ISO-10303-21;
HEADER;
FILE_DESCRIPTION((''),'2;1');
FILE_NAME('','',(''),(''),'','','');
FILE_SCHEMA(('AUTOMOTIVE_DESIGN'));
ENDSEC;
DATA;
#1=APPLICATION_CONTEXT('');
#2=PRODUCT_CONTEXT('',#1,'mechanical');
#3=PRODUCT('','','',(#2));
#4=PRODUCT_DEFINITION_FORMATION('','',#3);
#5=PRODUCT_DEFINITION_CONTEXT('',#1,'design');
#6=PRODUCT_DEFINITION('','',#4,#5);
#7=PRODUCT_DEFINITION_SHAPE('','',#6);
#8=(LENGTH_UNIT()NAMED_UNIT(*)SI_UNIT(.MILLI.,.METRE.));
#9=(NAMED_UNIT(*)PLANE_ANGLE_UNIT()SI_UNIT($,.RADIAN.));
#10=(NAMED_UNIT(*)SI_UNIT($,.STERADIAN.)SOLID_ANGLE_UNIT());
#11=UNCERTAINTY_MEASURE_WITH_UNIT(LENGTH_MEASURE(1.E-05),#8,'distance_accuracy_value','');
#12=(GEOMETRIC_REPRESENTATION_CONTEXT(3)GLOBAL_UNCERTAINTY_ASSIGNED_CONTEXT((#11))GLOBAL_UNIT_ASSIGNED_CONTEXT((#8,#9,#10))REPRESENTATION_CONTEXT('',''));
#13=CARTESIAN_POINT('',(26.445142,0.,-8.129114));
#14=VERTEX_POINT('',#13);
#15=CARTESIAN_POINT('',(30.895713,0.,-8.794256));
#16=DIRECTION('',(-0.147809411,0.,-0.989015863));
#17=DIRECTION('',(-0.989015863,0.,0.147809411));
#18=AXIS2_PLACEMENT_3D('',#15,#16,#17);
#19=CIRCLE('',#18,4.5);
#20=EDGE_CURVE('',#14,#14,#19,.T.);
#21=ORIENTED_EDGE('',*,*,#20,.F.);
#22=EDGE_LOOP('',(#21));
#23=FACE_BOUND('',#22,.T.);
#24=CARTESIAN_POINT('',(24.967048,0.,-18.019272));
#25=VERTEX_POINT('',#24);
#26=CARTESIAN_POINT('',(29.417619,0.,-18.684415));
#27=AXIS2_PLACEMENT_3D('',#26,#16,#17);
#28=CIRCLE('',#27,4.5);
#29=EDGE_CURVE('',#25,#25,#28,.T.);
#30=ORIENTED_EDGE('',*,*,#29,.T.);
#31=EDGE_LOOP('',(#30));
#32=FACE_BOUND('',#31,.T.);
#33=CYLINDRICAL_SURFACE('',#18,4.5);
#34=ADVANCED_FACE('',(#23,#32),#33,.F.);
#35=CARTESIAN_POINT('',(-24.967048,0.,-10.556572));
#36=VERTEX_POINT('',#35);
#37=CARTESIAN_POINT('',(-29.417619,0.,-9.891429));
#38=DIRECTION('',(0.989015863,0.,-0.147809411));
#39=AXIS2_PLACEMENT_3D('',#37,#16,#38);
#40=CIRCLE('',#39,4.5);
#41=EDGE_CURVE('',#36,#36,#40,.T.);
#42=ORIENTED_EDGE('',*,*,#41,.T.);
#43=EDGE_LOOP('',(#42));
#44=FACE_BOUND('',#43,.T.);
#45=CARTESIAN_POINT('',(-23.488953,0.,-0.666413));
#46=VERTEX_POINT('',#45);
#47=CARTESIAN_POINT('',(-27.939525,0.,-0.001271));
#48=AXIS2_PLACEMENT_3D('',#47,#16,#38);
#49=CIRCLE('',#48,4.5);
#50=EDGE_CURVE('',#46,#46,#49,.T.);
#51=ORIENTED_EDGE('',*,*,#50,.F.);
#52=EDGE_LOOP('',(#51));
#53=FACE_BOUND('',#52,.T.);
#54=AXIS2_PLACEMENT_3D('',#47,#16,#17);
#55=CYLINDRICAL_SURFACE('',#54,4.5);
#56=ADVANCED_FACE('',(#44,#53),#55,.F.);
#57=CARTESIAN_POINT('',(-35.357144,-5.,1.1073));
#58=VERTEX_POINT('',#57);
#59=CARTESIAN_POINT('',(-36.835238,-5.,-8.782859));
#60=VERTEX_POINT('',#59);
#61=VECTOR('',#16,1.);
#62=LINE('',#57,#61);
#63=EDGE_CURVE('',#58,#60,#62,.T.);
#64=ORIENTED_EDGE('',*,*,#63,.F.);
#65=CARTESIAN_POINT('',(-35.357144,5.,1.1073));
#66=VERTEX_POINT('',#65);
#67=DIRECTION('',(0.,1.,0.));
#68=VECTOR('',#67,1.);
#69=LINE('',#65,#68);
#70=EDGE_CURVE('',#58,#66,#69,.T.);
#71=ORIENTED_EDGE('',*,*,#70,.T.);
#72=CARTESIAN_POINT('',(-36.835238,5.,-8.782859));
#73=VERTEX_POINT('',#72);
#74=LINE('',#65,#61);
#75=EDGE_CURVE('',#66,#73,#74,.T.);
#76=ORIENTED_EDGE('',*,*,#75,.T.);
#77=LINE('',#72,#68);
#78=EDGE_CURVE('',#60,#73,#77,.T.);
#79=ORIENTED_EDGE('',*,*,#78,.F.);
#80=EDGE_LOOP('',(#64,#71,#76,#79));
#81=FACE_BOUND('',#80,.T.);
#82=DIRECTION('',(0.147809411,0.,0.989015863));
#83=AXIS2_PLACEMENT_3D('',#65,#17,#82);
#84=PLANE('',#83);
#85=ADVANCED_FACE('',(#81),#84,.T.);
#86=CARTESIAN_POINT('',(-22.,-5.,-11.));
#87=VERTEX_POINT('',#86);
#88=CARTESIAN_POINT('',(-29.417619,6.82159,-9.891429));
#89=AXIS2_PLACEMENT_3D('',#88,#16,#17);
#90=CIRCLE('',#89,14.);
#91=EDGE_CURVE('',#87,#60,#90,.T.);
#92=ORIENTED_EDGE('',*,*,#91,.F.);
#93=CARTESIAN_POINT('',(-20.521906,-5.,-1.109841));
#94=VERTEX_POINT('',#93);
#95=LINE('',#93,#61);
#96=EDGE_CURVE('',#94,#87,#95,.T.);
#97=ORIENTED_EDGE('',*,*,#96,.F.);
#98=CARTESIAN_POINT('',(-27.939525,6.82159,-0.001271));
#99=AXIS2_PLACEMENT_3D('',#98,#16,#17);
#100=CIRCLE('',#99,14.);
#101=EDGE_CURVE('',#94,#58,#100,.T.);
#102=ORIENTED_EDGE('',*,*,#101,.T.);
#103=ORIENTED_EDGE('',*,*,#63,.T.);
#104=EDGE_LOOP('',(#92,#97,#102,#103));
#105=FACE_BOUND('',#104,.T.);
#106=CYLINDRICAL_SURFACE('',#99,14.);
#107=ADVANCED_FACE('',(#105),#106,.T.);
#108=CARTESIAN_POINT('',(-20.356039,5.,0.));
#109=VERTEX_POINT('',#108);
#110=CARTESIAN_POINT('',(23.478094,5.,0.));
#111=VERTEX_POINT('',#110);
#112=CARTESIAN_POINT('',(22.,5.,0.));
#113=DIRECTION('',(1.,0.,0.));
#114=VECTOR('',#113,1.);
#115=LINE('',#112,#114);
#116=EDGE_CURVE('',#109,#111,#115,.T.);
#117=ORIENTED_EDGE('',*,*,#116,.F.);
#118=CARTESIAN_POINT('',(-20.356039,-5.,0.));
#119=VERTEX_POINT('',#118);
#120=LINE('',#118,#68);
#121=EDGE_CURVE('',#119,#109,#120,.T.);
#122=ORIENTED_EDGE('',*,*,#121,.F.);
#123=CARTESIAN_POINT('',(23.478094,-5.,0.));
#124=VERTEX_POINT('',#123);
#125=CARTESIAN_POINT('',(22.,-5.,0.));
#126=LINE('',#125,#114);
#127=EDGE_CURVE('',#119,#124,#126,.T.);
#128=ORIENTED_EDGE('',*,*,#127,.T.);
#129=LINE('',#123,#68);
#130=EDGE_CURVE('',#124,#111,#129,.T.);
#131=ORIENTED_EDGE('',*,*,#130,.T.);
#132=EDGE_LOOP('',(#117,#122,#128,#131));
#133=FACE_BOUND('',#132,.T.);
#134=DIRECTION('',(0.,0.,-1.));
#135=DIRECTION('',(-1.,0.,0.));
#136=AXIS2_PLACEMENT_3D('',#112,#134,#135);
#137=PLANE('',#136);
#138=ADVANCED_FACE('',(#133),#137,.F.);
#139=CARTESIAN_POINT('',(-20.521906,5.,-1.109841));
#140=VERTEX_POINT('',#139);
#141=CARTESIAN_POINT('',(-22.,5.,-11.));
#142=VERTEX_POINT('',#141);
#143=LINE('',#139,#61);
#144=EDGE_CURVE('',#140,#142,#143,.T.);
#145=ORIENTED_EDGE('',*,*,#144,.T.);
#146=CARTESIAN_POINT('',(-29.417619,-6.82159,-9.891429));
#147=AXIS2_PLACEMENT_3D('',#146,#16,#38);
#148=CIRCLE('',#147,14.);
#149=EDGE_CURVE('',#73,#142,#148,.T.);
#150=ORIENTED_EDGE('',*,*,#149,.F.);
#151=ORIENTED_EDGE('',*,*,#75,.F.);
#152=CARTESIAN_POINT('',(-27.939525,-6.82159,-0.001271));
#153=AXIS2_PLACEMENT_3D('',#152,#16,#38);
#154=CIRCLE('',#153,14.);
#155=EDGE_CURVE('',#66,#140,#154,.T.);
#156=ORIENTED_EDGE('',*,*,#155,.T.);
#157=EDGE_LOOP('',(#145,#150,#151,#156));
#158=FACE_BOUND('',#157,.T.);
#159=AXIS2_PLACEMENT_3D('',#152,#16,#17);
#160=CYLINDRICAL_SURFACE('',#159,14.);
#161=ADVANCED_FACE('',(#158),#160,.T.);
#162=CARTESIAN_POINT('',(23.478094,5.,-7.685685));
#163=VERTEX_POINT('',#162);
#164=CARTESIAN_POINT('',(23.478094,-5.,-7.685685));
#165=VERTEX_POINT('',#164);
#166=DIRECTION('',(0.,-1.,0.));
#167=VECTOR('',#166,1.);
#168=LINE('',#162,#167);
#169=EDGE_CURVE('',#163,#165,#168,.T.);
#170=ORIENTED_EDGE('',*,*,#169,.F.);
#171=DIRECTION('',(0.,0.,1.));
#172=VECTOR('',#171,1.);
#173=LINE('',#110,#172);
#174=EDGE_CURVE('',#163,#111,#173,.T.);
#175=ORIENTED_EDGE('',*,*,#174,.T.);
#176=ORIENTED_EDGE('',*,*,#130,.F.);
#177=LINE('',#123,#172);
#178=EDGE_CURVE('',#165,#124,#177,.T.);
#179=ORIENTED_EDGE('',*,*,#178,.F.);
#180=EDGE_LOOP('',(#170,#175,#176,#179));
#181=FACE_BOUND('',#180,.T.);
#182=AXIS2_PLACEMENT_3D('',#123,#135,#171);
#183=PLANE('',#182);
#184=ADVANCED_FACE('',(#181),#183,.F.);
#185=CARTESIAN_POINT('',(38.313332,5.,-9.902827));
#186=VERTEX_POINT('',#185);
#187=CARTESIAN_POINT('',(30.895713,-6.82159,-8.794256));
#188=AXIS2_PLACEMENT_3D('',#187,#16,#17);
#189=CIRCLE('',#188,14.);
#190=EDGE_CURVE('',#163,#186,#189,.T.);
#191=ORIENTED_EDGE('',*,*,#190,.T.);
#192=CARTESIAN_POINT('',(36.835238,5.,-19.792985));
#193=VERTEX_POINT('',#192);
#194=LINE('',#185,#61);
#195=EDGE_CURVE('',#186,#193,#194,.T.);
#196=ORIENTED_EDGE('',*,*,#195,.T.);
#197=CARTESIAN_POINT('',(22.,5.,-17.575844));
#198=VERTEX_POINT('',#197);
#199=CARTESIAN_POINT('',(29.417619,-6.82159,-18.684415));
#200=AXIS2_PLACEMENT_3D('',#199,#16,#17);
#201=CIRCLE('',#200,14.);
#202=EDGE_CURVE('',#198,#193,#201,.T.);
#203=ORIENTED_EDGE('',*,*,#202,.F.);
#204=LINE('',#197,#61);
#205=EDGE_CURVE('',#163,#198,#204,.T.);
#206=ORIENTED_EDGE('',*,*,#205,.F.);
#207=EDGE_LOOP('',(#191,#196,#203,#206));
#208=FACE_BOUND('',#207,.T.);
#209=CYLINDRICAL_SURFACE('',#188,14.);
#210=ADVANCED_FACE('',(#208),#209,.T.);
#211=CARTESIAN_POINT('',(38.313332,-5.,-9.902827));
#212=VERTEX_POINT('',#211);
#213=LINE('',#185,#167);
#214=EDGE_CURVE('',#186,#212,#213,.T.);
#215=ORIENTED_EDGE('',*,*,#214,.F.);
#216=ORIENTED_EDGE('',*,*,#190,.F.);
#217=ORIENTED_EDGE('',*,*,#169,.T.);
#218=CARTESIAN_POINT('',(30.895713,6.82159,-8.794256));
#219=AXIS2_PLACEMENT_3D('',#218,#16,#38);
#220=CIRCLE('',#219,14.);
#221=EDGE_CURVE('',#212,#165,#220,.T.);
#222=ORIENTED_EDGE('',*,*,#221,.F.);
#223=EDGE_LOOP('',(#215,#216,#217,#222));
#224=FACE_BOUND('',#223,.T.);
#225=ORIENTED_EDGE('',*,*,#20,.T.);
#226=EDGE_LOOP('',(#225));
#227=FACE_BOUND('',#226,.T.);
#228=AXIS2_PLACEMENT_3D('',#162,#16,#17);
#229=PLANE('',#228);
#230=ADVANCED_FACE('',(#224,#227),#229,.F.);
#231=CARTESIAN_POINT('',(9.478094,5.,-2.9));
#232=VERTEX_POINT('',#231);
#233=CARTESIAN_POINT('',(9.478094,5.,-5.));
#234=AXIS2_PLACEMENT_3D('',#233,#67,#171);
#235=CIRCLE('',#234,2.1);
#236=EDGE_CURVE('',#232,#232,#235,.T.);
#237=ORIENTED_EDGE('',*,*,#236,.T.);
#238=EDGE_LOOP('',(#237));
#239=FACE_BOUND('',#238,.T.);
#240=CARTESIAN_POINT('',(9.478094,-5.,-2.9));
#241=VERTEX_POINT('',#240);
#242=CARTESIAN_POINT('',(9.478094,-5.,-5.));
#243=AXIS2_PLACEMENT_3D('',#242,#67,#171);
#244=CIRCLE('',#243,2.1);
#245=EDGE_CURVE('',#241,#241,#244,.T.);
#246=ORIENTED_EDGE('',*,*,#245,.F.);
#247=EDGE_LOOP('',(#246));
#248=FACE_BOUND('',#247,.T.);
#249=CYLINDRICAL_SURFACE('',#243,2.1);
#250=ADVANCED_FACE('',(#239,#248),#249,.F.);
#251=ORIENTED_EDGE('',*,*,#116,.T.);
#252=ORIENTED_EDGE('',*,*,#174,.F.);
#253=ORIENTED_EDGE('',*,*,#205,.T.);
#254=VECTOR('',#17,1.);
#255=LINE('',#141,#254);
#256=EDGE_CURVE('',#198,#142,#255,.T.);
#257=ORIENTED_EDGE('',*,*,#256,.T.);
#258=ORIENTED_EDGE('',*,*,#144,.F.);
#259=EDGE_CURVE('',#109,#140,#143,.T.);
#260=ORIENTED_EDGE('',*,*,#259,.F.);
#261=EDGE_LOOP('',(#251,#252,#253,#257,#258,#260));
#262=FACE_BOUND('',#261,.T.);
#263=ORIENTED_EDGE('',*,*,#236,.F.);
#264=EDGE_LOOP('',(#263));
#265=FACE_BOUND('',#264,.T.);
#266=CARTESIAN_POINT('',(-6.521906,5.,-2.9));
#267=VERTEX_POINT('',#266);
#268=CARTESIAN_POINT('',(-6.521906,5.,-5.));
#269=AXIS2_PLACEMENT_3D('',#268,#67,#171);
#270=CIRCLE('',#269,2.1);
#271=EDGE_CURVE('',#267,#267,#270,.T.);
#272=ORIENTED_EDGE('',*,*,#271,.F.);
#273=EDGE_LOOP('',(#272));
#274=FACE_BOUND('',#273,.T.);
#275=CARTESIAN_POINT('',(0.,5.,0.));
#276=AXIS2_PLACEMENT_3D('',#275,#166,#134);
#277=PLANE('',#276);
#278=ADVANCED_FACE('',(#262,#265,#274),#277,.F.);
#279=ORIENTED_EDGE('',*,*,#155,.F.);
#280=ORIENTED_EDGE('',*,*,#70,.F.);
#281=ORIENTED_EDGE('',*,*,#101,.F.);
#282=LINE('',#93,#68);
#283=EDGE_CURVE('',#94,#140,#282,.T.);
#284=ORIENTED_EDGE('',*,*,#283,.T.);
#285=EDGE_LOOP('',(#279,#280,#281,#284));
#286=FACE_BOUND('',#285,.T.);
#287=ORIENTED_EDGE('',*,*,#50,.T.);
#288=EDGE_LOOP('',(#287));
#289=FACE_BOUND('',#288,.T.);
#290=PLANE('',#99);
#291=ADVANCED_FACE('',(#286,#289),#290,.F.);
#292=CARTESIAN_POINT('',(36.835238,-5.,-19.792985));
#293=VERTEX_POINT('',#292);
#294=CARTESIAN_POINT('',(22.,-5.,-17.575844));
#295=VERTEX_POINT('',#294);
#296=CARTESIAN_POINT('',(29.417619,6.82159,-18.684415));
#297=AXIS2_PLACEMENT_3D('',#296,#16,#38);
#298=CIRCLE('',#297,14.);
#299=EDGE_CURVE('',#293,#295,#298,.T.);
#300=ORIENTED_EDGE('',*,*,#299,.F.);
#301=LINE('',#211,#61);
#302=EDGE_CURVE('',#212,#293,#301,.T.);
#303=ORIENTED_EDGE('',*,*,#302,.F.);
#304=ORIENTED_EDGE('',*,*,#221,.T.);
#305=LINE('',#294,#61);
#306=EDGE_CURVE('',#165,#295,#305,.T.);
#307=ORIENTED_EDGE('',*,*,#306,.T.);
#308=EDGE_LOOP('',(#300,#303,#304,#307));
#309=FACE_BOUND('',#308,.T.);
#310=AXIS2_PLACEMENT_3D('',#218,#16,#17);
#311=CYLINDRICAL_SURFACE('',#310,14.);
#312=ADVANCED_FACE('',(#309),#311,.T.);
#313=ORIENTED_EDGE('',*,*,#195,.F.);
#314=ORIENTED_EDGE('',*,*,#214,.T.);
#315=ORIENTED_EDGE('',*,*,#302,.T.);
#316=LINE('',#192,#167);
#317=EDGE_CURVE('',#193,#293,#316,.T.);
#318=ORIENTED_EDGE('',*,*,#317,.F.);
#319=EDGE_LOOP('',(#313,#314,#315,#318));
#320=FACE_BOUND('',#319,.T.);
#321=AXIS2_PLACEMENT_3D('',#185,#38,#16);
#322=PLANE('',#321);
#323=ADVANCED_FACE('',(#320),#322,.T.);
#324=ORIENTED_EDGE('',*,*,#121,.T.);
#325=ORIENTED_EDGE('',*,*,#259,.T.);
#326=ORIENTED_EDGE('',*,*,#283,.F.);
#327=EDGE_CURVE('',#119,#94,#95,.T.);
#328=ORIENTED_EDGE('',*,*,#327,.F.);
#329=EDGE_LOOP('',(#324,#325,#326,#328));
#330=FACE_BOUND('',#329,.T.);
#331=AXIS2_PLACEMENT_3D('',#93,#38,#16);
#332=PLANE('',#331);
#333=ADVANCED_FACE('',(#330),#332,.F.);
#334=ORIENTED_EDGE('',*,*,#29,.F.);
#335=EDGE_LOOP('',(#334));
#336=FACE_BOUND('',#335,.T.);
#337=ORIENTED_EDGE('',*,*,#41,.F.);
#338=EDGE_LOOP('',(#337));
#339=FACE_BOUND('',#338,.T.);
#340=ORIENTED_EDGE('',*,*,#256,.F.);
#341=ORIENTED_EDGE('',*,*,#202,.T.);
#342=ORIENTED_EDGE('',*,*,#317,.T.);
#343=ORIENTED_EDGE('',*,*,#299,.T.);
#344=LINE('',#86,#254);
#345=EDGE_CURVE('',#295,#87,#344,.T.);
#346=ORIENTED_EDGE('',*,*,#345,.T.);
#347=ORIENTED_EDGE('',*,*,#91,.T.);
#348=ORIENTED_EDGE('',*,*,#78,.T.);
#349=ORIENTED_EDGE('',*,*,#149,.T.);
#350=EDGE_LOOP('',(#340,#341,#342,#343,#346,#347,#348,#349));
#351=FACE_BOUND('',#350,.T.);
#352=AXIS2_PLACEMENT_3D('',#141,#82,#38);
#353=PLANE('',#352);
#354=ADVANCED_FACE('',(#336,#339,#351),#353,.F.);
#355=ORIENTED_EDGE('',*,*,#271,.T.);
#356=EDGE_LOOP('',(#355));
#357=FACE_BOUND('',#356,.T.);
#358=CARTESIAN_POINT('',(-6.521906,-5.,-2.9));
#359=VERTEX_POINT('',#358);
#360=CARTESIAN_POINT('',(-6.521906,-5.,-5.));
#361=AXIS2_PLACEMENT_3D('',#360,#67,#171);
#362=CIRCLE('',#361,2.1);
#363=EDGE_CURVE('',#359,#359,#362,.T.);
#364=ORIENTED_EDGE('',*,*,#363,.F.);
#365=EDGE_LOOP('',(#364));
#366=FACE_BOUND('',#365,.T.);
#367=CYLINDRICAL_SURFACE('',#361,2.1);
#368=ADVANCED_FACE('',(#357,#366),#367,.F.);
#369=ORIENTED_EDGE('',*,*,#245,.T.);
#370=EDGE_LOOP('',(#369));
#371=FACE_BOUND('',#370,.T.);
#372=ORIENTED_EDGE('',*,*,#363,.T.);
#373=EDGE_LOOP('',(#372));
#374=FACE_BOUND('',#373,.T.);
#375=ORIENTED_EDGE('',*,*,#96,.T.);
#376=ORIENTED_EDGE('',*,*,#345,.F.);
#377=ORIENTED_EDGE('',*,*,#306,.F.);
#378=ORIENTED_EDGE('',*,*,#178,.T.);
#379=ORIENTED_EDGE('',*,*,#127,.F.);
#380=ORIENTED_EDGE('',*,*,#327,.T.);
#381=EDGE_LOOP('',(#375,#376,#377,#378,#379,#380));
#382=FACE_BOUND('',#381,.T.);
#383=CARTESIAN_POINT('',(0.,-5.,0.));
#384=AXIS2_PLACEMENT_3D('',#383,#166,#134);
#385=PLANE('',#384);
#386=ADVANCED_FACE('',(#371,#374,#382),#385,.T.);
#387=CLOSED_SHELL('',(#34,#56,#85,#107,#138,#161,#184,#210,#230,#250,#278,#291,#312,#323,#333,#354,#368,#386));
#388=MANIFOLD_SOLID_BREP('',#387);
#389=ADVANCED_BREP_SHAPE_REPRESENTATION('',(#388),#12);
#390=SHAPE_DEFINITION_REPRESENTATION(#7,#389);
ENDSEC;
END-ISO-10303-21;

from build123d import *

# Parameters (mm, degrees)
EXTRUDE_2_DEPTH     = 5
SKETCH_4_R          = 4.5
EXTRUDE_3_DEPTH     = 10
EXTRUDE_4_DEPTH     = 5
CUT_EXTRUDE_1_DEPTH = 5
EXTRUDE_5_DEPTH     = 5
CUT_EXTRUDE_2_DEPTH = 5
SKETCH_9_R          = 2.1
CUT_EXTRUDE_3_DEPTH = 5


with BuildPart() as part:
    # 草图3 → 凸台-拉伸2 (new, symmetric)
    with BuildSketch(Plane(origin=(0, 0, 0), x_dir=(1, 0, 0), z_dir=(0, 1, 0))):
        Polygon((-22, 0), (-22, 11), (22, 17.575844059), (22, 0), align=None)
    extrude(amount=EXTRUDE_2_DEPTH, both=True)

    # 草图4 → 凸台-拉伸3 (add)
    # profile 1 of 2: a face of its own
    with BuildSketch(Plane(origin=(-2.08869206, 0, -13.97576491), x_dir=(-0.9890158633619178, 0, 0.1478094111296043), z_dir=(-0.1478094111296043, 0, -0.9890158633619178))):
        with BuildLine():
            Line((-24.356224154, -5), (-24.356224154, 5))
            ThreePointArc((-24.356224154, 5), (-31.856224154, 7.178409582), (-39.356224154, 5))
            Line((-39.356224154, 5), (-39.356224154, -5))
            ThreePointArc((-39.356224154, -5), (-31.856224154, -7.178409582), (-24.356224154, -5))
        make_face()
        with Locations((-31.856224154, 0)):
            Circle(SKETCH_4_R, mode=Mode.SUBTRACT)
    # profile 2 of 2: a face of its own
    with BuildSketch(Plane(origin=(-2.08869206, 0, -13.97576491), x_dir=(-0.9890158633619178, 0, 0.1478094111296043), z_dir=(-0.1478094111296043, 0, -0.9890158633619178))):
        with BuildLine():
            Line((35.132445472, 5), (35.132445472, -5))
            ThreePointArc((35.132445472, -5), (27.632445472, -7.178409582), (20.132445472, -5))
            Line((20.132445472, -5), (20.132445472, 5))
            ThreePointArc((20.132445472, 5), (27.632445472, 7.178409582), (35.132445472, 5))
        make_face()
        with Locations(Location((27.632445472, 0, 0), (0, 0, 180))):
            Circle(SKETCH_4_R, mode=Mode.SUBTRACT)
    extrude(amount=-EXTRUDE_3_DEPTH)


with BuildPart() as extrude_3_piece_1:
    # of the separate pieces the step leaves, piece 1, a body of its own (extrude_3_pieces)
    add(part.part.solids().sort_by_distance((-22, -5, 0))[0])



with BuildPart() as extrude_3_piece_2:
    # of the separate pieces the step leaves, piece 2, a body of its own (extrude_3_pieces)
    add(part.part.solids().sort_by_distance((23.478094111, -5, -7.685685426))[0])


with BuildPart() as extrude_3_piece_1_1:
    add(extrude_3_piece_1.part)

    add(extrude_3_piece_2.part)  # 凸台-拉伸4 merges 凸台-拉伸3 piece 2
    # 草图5 → 凸台-拉伸4 (add, symmetric)
    with BuildSketch(Plane(origin=(0, 0, 0), x_dir=(1, 0, 0), z_dir=(0, 1, 0))):
        Polygon((23.478094111, 7.685685426), (22, 7.464782781), (22, 17.575844059), align=None)
    extrude(amount=EXTRUDE_4_DEPTH, both=True)

    # 草图6 → 切除-拉伸1 (cut, symmetric)
    with BuildSketch(Plane(origin=(0, 0, 0), x_dir=(1, 0, 0), z_dir=(0, 1, 0))):
        Polygon((-22, 0), (-22, 0.888938721), (-20.521905889, 1.109841366), (-20.356038985, 0), align=None)
    extrude(amount=CUT_EXTRUDE_1_DEPTH, both=True, mode=Mode.SUBTRACT)

    # 草图7 → 凸台-拉伸5 (add, symmetric)
    with BuildSketch(Plane(origin=(0, 0, 0), x_dir=(1, 0, 0), z_dir=(0, 1, 0))):
        Polygon((22, 0), (24.626727494, 0), (23.478094111, 7.685685426), (22, 7.464782781), align=None)
    extrude(amount=EXTRUDE_5_DEPTH, both=True)

    # 草图8 → 切除-拉伸2 (cut, symmetric)
    with BuildSketch(Plane(origin=(0, 0, 0), x_dir=(1, 0, 0), z_dir=(0, 1, 0))):
        Polygon((23.478094111, 0), (23.478094111, 7.685685426), (24.626727494, 0), align=None)
    extrude(amount=CUT_EXTRUDE_2_DEPTH, both=True, mode=Mode.SUBTRACT)

    # 草图9 → 切除-拉伸3 (cut, symmetric)
    with BuildSketch(Plane(origin=(0, 0, 0), x_dir=(1, 0, 0), z_dir=(0, 1, 0))):
        with Locations(Location((9.478094111, 5, 0), (0, 0, 270))):
            Circle(SKETCH_9_R)
        with Locations(Location((-6.521905889, 5, 0), (0, 0, 270))):
            Circle(SKETCH_9_R)
    extrude(amount=CUT_EXTRUDE_3_DEPTH, both=True, mode=Mode.SUBTRACT)


solid = extrude_3_piece_1_1.part
